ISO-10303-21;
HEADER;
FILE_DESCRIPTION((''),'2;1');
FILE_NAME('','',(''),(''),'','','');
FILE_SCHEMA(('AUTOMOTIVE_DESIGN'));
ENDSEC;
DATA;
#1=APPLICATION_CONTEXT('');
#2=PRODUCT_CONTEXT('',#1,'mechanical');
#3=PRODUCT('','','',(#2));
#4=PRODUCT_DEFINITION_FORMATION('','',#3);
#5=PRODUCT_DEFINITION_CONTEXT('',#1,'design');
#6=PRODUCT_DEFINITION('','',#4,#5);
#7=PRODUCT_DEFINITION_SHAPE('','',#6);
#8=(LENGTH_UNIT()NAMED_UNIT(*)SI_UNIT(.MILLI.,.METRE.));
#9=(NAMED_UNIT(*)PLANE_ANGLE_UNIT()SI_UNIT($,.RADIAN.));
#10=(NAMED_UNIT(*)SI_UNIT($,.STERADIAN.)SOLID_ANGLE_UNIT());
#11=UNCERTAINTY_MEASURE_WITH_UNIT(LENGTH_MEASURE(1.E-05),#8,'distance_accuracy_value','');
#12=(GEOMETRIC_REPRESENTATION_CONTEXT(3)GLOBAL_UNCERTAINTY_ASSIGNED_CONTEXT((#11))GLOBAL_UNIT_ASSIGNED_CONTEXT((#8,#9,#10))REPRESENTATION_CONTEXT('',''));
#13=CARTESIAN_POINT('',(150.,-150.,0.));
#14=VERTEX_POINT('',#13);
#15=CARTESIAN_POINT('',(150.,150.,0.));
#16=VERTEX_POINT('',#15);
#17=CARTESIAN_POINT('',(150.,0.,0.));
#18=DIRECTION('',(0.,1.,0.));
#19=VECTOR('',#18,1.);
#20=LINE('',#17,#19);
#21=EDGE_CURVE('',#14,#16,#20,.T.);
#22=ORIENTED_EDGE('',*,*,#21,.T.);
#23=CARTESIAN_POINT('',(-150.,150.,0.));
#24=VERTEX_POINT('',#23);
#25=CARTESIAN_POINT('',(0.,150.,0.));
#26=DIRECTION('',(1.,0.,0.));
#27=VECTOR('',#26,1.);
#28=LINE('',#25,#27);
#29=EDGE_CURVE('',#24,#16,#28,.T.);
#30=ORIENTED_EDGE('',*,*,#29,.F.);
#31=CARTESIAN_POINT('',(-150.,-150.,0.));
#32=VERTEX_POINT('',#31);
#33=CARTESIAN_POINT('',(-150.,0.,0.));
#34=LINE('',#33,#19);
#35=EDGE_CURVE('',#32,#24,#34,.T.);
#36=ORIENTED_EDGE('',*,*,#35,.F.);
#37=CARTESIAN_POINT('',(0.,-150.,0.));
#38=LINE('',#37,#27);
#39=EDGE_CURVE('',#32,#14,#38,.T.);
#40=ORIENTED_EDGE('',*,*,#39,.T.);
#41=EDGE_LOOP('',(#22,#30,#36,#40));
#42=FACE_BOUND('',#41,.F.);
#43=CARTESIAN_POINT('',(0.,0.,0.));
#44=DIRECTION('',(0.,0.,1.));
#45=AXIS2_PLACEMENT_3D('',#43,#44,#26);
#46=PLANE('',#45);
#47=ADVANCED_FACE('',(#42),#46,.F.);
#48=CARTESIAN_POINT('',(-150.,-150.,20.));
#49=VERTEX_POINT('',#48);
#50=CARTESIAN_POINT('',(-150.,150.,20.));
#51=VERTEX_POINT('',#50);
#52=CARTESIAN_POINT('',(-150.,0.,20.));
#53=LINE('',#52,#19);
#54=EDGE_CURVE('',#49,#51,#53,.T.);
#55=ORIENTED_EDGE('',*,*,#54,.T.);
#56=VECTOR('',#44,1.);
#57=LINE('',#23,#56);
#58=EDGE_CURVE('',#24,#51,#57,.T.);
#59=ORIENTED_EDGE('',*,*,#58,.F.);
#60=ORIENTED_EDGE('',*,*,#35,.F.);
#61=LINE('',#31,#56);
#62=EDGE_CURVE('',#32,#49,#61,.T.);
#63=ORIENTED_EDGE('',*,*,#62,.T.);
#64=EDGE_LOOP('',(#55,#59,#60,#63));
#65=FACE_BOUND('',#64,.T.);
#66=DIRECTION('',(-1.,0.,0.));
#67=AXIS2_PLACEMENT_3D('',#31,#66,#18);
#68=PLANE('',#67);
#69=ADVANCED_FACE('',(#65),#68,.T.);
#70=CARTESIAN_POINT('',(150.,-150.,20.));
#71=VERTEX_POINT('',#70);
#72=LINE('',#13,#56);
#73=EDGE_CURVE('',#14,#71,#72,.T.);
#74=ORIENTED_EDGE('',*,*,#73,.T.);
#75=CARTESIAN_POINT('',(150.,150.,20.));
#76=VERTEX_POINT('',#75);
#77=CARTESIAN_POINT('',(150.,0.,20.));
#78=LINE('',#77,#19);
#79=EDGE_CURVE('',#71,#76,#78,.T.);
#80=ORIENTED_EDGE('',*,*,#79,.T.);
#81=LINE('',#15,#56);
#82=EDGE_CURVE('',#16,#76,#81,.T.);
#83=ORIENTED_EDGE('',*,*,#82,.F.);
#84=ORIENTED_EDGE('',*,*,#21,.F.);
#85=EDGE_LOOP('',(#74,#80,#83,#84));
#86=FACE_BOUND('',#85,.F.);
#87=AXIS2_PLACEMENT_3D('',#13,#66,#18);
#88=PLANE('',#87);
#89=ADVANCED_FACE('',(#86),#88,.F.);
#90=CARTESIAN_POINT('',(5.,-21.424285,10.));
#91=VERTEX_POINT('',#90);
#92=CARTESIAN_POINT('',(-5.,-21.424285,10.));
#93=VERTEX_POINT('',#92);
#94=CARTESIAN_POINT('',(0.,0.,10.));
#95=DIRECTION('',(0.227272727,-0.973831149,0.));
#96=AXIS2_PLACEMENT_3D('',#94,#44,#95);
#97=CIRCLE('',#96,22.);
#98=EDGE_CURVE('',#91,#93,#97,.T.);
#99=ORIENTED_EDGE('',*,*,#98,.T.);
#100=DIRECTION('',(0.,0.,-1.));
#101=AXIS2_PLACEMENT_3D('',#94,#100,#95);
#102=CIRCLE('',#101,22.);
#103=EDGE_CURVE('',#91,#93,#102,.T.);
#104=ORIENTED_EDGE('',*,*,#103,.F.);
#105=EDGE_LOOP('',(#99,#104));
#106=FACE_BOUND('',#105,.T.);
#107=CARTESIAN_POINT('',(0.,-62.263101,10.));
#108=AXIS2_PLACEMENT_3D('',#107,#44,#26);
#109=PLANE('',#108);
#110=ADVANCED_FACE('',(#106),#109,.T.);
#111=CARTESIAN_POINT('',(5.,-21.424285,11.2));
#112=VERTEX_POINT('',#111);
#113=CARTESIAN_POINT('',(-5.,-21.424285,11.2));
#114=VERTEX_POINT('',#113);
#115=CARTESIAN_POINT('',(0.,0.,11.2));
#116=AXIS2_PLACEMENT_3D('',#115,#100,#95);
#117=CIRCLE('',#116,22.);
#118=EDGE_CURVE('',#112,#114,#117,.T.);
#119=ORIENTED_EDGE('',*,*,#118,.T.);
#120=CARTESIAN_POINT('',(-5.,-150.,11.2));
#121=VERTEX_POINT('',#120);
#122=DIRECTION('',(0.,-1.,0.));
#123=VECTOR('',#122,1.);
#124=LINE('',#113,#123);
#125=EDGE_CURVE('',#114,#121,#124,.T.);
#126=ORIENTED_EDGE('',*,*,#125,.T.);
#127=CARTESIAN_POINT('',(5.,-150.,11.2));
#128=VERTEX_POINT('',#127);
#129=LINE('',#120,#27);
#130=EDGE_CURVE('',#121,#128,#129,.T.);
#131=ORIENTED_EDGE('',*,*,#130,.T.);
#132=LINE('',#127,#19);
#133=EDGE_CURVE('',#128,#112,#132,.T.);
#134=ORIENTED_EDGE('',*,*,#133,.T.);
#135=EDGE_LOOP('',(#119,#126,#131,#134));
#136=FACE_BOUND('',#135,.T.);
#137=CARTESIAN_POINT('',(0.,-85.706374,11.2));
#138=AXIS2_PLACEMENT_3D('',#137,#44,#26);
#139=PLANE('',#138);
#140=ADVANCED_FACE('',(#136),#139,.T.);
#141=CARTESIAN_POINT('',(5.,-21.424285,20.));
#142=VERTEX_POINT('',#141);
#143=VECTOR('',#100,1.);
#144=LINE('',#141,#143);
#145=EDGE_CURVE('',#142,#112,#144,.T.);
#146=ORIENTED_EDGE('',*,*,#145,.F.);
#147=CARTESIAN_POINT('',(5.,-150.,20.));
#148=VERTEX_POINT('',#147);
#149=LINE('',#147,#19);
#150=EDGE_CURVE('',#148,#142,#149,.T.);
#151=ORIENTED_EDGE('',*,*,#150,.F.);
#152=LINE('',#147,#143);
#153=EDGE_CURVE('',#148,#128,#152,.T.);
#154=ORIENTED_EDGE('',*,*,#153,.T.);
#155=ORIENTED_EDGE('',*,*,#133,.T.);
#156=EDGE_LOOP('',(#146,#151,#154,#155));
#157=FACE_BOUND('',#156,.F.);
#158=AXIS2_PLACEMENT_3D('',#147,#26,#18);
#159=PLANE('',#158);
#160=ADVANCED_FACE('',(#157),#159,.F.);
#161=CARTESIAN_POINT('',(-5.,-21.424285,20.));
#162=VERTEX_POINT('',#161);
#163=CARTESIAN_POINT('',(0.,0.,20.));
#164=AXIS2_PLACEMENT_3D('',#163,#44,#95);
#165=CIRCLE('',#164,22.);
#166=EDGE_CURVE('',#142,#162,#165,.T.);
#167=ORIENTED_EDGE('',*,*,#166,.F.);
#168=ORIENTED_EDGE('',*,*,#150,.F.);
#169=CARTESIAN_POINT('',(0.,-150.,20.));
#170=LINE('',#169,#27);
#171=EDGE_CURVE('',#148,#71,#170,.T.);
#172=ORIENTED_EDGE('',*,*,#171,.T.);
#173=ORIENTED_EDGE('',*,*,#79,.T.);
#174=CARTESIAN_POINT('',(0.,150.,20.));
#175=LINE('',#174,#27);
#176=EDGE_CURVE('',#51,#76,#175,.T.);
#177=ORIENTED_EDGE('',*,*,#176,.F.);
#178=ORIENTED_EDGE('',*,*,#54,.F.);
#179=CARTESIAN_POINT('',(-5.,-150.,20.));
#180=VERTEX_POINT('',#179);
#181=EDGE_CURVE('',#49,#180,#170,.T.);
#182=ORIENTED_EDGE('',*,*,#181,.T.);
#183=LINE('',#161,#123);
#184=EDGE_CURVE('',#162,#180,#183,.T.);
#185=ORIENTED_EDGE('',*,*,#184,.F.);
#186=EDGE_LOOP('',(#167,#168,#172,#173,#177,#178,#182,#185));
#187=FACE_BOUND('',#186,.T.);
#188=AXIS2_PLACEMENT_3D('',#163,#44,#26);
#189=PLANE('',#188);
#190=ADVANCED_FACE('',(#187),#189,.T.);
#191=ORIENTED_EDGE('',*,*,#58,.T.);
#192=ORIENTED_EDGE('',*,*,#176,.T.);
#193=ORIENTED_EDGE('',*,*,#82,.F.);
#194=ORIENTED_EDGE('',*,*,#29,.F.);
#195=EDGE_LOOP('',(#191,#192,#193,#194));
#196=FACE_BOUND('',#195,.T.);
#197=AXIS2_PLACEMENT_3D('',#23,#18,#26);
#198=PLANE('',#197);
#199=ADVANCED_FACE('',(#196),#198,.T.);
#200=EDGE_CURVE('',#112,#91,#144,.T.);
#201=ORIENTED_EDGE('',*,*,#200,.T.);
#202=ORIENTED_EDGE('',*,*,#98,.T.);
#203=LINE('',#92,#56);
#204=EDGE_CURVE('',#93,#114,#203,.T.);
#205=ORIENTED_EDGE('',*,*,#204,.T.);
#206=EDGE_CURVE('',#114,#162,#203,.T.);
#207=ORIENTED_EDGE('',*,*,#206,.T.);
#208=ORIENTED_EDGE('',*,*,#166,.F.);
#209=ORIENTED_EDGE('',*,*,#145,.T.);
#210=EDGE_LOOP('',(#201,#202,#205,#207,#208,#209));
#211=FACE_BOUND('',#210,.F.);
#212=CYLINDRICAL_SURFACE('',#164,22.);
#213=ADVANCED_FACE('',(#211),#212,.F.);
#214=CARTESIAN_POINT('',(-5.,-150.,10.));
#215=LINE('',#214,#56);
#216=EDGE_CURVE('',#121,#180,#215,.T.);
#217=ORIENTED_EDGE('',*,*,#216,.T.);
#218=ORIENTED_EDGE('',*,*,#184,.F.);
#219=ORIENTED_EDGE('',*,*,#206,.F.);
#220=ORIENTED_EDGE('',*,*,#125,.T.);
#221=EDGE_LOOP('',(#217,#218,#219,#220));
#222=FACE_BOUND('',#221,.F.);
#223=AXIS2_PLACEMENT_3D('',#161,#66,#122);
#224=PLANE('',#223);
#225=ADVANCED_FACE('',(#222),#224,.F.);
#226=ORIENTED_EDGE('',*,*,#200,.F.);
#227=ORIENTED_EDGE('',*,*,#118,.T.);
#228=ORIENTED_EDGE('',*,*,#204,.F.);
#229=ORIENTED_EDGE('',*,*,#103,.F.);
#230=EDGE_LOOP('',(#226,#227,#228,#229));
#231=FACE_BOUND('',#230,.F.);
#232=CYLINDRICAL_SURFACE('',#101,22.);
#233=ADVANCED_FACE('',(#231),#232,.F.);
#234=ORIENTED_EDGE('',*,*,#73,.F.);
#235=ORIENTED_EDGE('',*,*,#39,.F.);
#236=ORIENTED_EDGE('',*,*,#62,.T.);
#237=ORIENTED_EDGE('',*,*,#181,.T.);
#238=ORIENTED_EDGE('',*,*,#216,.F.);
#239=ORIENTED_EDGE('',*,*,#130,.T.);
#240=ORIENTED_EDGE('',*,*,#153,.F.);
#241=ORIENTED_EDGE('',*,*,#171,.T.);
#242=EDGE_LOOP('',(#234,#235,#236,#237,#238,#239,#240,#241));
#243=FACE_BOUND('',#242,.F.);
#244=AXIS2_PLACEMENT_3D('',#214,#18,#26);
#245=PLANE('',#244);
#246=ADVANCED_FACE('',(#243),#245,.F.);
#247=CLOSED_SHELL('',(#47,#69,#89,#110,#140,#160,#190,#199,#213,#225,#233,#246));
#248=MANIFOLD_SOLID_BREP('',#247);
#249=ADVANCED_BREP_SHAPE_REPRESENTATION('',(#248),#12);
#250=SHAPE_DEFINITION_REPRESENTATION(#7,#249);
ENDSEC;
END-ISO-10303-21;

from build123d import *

# Parameters (mm, degrees)
F0_W     = 300
F0_H     = 300
F1_DEPTH = 20
F3_DEPTH = 10
F4_DEPTH = 8.8
F6_DEPTH = 1.2


with BuildPart() as f1:
    # F0 (on Top) → F1 (new body)
    with BuildSketch(Plane.XY):
        Rectangle(F0_W, F0_H)
    extrude(amount=F1_DEPTH)

    # F2 (on face) → F3 (cut)
    with BuildSketch(Plane.XY.offset(20)):
        with BuildLine():
            Line((-5, -21.4242852856), (-5, -150))
            Line((-5, -150), (5, -150))
            Line((5, -150), (5, -21.4242852856))
            ThreePointArc((5, -21.4242852856), (0, 22), (-5, -21.4242852856))
        make_face()
    extrude(amount=-F3_DEPTH, mode=Mode.SUBTRACT)

    # F2 (on face) → F4 (cut)
    with BuildSketch(Plane.XY.offset(20)):
        with BuildLine():
            Line((-5, -21.4242852856), (-5, -150))
            Line((-5, -150), (5, -150))
            Line((5, -150), (5, -21.4242852856))
            ThreePointArc((5, -21.4242852856), (0, 22), (-5, -21.4242852856))
        make_face()
    extrude(amount=-F4_DEPTH, mode=Mode.SUBTRACT)

    # F5 (on face) → F6 (join)
    with BuildSketch(Plane.XY.offset(10)):
        with BuildLine():
            ThreePointArc((5, -21.4242852856), (0, -22), (-5, -21.4242852856))
            Line((-5, -21.4242852856), (-5, -150))
            Line((-5, -150), (5, -150))
            Line((5, -150), (5, -21.4242852856))
        make_face()
    extrude(amount=F6_DEPTH)


solid = f1.part
